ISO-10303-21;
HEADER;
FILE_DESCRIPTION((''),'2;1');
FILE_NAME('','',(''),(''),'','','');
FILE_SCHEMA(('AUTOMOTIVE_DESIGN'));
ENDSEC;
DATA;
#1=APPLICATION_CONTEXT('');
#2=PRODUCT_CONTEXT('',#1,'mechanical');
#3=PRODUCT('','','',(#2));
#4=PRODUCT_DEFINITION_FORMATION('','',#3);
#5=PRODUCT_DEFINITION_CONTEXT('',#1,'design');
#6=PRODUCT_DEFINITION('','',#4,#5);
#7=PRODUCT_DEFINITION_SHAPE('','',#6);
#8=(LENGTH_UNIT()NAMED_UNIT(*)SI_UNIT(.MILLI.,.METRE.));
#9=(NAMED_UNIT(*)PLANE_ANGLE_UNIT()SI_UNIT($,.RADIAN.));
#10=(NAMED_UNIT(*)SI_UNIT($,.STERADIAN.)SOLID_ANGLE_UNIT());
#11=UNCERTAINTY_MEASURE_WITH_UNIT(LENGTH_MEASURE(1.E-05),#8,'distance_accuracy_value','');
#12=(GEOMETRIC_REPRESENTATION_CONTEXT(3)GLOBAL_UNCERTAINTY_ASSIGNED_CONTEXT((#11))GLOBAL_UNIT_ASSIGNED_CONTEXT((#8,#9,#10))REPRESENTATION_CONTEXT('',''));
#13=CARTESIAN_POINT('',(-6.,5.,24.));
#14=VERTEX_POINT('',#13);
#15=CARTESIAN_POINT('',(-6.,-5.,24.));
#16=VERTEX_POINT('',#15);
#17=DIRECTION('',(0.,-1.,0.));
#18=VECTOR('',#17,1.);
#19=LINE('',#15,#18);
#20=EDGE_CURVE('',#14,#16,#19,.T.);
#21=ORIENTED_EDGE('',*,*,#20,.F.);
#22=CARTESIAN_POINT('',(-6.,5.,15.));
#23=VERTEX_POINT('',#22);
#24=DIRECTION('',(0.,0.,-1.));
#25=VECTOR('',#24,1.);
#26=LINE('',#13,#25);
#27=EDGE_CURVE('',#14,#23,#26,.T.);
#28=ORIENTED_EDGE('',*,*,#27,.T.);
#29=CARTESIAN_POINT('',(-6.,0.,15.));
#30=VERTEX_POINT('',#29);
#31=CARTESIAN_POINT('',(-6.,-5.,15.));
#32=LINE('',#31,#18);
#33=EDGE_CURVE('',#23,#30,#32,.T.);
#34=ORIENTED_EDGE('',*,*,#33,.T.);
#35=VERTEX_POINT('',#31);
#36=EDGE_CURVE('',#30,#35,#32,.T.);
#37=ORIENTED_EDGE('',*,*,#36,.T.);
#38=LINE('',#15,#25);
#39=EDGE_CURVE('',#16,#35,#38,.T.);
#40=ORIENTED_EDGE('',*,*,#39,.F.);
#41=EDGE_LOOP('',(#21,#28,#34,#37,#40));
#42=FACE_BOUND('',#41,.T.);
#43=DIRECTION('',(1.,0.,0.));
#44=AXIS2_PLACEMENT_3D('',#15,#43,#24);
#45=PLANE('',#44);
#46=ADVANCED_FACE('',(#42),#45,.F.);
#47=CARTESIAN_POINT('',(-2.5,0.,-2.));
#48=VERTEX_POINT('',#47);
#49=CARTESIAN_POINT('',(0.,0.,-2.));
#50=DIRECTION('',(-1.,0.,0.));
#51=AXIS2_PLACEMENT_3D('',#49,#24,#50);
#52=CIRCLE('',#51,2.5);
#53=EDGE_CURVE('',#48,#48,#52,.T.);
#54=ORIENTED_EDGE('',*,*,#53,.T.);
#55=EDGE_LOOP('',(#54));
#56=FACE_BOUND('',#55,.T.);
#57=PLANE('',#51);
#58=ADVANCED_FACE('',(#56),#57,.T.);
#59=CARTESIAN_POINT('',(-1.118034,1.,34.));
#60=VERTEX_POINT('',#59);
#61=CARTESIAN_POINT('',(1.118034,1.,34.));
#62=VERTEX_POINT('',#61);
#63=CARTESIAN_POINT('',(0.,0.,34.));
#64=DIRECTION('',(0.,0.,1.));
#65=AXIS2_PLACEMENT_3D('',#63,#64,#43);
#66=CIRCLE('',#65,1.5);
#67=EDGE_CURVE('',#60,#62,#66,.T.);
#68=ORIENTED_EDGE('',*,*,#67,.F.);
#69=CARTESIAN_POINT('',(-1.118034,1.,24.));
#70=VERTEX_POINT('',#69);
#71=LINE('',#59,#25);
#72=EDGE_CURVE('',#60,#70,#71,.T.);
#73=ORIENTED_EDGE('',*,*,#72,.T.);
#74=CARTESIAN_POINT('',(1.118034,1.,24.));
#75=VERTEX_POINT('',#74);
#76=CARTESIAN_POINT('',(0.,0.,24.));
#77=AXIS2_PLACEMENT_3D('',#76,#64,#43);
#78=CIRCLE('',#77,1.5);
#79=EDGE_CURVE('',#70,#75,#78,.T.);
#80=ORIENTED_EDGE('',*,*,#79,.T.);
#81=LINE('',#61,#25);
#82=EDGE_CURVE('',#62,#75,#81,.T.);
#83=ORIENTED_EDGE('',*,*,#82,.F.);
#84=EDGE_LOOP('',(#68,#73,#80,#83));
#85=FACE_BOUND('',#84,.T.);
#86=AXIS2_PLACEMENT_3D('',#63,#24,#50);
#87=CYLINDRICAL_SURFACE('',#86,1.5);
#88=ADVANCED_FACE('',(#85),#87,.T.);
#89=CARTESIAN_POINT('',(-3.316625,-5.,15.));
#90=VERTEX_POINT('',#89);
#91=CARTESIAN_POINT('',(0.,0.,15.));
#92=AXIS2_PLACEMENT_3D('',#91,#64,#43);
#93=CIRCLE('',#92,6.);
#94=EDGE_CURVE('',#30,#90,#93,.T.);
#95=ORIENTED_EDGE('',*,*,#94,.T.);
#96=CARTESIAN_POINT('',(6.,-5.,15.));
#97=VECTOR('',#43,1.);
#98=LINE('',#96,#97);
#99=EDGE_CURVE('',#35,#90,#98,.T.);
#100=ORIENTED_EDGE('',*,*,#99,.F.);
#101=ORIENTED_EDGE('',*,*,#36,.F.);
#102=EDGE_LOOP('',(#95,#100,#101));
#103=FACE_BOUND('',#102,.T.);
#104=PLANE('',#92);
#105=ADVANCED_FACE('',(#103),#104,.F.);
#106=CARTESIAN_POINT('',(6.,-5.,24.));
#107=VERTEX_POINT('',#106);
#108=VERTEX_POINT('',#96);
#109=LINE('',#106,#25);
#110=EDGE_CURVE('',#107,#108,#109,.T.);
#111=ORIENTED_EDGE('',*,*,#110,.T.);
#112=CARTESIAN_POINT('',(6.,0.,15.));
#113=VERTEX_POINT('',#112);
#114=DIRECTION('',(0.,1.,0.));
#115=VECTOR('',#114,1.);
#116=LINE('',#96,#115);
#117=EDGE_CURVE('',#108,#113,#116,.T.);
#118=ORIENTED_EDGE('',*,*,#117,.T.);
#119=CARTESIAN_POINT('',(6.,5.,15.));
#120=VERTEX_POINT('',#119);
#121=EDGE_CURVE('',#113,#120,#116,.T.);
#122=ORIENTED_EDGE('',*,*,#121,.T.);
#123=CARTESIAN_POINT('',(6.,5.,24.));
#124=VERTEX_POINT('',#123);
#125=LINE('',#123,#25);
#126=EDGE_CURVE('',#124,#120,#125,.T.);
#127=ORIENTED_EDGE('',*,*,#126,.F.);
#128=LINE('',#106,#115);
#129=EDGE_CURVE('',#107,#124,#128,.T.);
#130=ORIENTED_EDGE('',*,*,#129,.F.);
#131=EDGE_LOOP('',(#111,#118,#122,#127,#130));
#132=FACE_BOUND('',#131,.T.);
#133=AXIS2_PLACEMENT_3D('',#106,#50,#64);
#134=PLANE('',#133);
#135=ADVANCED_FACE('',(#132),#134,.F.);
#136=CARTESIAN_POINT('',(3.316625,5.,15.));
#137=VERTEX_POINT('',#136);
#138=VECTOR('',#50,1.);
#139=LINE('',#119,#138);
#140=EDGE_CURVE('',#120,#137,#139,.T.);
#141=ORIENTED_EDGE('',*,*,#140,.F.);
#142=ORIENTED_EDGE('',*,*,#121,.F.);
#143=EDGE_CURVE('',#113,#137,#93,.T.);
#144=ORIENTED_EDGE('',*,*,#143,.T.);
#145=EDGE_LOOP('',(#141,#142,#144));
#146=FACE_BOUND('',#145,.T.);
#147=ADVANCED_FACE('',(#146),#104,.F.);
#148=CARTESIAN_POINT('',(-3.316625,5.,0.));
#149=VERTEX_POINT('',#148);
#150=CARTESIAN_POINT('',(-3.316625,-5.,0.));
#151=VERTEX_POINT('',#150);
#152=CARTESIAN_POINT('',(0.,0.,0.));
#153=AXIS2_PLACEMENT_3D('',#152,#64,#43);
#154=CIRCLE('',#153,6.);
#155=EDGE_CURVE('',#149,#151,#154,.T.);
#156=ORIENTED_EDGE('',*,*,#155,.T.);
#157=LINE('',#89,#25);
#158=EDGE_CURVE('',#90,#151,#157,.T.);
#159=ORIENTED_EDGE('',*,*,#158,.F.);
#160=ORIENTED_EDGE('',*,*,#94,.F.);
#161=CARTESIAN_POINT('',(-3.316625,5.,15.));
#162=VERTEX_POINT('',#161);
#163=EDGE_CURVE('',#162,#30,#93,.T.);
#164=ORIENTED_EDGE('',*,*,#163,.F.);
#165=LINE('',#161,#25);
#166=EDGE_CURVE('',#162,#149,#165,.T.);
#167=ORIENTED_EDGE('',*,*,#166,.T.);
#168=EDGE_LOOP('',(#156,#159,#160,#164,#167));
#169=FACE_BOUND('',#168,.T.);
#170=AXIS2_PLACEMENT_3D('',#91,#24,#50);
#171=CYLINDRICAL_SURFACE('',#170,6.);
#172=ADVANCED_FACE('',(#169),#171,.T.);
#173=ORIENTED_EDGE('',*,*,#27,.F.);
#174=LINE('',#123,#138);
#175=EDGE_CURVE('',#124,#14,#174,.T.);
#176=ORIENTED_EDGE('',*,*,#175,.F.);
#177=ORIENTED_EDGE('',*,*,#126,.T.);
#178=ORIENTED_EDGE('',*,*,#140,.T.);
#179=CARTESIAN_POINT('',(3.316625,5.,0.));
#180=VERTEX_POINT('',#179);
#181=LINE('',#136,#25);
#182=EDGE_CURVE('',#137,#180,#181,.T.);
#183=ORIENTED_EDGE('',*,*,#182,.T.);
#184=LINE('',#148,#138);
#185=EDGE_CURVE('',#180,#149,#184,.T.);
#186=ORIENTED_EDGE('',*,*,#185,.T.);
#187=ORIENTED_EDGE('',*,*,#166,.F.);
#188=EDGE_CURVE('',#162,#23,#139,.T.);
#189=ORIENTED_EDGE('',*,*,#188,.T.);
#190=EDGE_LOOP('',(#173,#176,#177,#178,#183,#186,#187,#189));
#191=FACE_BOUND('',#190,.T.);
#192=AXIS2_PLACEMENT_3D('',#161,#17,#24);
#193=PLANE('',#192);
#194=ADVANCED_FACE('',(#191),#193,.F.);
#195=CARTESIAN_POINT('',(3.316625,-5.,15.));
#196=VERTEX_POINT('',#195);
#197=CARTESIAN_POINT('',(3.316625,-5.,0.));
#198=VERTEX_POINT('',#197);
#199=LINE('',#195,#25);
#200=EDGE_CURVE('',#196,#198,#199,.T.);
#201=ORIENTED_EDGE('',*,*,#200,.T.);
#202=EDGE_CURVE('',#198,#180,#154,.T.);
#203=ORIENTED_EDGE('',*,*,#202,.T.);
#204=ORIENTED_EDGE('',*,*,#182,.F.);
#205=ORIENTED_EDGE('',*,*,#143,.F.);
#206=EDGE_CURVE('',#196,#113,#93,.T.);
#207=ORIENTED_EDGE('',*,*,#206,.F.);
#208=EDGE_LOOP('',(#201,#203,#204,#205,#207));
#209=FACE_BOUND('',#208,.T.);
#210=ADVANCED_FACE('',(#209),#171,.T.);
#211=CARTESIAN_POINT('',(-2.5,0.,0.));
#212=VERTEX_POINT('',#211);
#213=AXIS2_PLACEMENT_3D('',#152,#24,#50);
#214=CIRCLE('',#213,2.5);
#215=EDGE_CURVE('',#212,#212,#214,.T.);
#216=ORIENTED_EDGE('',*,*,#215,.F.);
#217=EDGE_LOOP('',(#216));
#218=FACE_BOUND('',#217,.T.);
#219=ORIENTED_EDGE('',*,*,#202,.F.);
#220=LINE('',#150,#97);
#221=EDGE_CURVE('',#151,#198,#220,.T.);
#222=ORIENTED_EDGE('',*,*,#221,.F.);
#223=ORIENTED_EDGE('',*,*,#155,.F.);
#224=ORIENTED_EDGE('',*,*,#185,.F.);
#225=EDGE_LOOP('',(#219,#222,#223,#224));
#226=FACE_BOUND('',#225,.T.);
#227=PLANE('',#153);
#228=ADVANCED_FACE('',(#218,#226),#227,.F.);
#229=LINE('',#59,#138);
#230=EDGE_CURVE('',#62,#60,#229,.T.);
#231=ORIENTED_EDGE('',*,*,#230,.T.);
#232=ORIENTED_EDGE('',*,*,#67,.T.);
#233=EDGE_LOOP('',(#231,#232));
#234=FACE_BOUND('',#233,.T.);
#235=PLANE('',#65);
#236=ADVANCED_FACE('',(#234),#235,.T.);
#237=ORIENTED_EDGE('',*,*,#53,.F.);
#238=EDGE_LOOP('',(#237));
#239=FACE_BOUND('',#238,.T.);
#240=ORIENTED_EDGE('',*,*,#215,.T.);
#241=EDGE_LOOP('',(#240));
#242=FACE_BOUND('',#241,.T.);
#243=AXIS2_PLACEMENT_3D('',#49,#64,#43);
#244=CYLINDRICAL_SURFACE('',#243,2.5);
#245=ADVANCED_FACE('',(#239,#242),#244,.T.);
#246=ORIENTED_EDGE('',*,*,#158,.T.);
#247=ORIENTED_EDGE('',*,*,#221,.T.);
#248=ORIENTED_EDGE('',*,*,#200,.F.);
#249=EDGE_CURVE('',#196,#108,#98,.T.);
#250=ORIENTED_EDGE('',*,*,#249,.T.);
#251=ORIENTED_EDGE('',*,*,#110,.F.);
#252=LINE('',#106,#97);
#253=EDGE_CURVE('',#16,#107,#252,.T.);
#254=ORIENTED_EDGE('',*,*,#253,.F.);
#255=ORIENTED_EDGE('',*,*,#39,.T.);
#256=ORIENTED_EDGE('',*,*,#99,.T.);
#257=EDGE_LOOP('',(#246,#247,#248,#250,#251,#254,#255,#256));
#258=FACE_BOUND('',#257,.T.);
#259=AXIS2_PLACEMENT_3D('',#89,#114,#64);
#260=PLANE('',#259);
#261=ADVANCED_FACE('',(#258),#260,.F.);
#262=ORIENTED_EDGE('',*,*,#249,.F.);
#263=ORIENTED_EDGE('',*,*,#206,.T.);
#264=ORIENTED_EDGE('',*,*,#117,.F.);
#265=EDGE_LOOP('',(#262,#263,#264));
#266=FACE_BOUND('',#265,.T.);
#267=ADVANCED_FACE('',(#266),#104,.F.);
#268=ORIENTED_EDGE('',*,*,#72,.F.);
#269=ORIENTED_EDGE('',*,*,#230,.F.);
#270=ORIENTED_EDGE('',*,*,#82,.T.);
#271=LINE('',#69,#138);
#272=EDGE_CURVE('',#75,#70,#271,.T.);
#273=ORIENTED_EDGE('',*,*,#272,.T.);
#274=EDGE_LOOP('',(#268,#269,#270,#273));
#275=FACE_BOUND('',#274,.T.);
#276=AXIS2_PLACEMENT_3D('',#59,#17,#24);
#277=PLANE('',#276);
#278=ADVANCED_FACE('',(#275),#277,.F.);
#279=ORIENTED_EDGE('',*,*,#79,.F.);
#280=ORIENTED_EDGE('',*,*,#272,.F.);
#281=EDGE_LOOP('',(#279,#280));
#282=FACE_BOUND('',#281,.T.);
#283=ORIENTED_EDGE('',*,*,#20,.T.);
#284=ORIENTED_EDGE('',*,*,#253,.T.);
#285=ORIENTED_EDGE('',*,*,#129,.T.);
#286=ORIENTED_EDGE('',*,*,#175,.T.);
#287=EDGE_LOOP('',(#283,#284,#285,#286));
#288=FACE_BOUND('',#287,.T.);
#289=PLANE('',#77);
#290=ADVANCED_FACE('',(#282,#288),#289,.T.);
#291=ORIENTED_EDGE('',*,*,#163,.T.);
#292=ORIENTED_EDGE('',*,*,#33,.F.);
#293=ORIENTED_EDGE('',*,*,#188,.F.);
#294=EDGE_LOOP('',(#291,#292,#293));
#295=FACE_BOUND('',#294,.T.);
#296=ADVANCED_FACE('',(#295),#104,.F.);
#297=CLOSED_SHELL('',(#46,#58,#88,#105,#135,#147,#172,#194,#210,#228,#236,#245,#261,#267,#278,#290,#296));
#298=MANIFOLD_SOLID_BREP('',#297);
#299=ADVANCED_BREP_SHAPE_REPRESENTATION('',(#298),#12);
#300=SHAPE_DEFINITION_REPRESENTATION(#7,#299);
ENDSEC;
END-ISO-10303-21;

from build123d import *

# Parameters (mm, degrees)
BOSS_EXTRUDE1_DEPTH = 15
ESQUISSE1_W         = 12
ESQUISSE1_H         = 10
BOSS_EXTRU_1_DEPTH  = 9
ESQUISSE2_R         = 2.5
BOSS_EXTRU_2_DEPTH  = 2
BOSS_EXTRUDE2_DEPTH = 10


with BuildPart() as part:
    # Sketch1 → Boss-Extrude1 (new body)
    with BuildSketch(Plane.XY):
        with BuildLine():
            Line((-3.31662479, 5), (3.31662479, 5))
            ThreePointArc((3.31662479, 5), (6, 0), (3.31662479, -5))
            Line((3.31662479, -5), (-3.31662479, -5))
            ThreePointArc((-3.31662479, -5), (-6, 0), (-3.31662479, 5))
        make_face()
    extrude(amount=BOSS_EXTRUDE1_DEPTH)

    # Esquisse1 → Boss.-Extru.1 (add)
    with BuildSketch(Plane.XY.offset(15)):
        Rectangle(ESQUISSE1_W, ESQUISSE1_H)
    extrude(amount=BOSS_EXTRU_1_DEPTH)

    # Esquisse2 → Boss.-Extru.2 (add)
    with BuildSketch(Plane(origin=(0, 0, 0), x_dir=(-1, 0, 0), z_dir=(0, 0, -1))):
        Circle(ESQUISSE2_R)
    extrude(amount=BOSS_EXTRU_2_DEPTH)

    # Sketch2 → Boss-Extrude2 (add)
    with BuildSketch(Plane.XY.offset(24)):
        with BuildLine():
            Line((-1.118033989, 1), (1.118033989, 1))
            ThreePointArc((1.118033989, 1), (0, -1.5), (-1.118033989, 1))
        make_face()
    extrude(amount=BOSS_EXTRUDE2_DEPTH)


solid = part.part
